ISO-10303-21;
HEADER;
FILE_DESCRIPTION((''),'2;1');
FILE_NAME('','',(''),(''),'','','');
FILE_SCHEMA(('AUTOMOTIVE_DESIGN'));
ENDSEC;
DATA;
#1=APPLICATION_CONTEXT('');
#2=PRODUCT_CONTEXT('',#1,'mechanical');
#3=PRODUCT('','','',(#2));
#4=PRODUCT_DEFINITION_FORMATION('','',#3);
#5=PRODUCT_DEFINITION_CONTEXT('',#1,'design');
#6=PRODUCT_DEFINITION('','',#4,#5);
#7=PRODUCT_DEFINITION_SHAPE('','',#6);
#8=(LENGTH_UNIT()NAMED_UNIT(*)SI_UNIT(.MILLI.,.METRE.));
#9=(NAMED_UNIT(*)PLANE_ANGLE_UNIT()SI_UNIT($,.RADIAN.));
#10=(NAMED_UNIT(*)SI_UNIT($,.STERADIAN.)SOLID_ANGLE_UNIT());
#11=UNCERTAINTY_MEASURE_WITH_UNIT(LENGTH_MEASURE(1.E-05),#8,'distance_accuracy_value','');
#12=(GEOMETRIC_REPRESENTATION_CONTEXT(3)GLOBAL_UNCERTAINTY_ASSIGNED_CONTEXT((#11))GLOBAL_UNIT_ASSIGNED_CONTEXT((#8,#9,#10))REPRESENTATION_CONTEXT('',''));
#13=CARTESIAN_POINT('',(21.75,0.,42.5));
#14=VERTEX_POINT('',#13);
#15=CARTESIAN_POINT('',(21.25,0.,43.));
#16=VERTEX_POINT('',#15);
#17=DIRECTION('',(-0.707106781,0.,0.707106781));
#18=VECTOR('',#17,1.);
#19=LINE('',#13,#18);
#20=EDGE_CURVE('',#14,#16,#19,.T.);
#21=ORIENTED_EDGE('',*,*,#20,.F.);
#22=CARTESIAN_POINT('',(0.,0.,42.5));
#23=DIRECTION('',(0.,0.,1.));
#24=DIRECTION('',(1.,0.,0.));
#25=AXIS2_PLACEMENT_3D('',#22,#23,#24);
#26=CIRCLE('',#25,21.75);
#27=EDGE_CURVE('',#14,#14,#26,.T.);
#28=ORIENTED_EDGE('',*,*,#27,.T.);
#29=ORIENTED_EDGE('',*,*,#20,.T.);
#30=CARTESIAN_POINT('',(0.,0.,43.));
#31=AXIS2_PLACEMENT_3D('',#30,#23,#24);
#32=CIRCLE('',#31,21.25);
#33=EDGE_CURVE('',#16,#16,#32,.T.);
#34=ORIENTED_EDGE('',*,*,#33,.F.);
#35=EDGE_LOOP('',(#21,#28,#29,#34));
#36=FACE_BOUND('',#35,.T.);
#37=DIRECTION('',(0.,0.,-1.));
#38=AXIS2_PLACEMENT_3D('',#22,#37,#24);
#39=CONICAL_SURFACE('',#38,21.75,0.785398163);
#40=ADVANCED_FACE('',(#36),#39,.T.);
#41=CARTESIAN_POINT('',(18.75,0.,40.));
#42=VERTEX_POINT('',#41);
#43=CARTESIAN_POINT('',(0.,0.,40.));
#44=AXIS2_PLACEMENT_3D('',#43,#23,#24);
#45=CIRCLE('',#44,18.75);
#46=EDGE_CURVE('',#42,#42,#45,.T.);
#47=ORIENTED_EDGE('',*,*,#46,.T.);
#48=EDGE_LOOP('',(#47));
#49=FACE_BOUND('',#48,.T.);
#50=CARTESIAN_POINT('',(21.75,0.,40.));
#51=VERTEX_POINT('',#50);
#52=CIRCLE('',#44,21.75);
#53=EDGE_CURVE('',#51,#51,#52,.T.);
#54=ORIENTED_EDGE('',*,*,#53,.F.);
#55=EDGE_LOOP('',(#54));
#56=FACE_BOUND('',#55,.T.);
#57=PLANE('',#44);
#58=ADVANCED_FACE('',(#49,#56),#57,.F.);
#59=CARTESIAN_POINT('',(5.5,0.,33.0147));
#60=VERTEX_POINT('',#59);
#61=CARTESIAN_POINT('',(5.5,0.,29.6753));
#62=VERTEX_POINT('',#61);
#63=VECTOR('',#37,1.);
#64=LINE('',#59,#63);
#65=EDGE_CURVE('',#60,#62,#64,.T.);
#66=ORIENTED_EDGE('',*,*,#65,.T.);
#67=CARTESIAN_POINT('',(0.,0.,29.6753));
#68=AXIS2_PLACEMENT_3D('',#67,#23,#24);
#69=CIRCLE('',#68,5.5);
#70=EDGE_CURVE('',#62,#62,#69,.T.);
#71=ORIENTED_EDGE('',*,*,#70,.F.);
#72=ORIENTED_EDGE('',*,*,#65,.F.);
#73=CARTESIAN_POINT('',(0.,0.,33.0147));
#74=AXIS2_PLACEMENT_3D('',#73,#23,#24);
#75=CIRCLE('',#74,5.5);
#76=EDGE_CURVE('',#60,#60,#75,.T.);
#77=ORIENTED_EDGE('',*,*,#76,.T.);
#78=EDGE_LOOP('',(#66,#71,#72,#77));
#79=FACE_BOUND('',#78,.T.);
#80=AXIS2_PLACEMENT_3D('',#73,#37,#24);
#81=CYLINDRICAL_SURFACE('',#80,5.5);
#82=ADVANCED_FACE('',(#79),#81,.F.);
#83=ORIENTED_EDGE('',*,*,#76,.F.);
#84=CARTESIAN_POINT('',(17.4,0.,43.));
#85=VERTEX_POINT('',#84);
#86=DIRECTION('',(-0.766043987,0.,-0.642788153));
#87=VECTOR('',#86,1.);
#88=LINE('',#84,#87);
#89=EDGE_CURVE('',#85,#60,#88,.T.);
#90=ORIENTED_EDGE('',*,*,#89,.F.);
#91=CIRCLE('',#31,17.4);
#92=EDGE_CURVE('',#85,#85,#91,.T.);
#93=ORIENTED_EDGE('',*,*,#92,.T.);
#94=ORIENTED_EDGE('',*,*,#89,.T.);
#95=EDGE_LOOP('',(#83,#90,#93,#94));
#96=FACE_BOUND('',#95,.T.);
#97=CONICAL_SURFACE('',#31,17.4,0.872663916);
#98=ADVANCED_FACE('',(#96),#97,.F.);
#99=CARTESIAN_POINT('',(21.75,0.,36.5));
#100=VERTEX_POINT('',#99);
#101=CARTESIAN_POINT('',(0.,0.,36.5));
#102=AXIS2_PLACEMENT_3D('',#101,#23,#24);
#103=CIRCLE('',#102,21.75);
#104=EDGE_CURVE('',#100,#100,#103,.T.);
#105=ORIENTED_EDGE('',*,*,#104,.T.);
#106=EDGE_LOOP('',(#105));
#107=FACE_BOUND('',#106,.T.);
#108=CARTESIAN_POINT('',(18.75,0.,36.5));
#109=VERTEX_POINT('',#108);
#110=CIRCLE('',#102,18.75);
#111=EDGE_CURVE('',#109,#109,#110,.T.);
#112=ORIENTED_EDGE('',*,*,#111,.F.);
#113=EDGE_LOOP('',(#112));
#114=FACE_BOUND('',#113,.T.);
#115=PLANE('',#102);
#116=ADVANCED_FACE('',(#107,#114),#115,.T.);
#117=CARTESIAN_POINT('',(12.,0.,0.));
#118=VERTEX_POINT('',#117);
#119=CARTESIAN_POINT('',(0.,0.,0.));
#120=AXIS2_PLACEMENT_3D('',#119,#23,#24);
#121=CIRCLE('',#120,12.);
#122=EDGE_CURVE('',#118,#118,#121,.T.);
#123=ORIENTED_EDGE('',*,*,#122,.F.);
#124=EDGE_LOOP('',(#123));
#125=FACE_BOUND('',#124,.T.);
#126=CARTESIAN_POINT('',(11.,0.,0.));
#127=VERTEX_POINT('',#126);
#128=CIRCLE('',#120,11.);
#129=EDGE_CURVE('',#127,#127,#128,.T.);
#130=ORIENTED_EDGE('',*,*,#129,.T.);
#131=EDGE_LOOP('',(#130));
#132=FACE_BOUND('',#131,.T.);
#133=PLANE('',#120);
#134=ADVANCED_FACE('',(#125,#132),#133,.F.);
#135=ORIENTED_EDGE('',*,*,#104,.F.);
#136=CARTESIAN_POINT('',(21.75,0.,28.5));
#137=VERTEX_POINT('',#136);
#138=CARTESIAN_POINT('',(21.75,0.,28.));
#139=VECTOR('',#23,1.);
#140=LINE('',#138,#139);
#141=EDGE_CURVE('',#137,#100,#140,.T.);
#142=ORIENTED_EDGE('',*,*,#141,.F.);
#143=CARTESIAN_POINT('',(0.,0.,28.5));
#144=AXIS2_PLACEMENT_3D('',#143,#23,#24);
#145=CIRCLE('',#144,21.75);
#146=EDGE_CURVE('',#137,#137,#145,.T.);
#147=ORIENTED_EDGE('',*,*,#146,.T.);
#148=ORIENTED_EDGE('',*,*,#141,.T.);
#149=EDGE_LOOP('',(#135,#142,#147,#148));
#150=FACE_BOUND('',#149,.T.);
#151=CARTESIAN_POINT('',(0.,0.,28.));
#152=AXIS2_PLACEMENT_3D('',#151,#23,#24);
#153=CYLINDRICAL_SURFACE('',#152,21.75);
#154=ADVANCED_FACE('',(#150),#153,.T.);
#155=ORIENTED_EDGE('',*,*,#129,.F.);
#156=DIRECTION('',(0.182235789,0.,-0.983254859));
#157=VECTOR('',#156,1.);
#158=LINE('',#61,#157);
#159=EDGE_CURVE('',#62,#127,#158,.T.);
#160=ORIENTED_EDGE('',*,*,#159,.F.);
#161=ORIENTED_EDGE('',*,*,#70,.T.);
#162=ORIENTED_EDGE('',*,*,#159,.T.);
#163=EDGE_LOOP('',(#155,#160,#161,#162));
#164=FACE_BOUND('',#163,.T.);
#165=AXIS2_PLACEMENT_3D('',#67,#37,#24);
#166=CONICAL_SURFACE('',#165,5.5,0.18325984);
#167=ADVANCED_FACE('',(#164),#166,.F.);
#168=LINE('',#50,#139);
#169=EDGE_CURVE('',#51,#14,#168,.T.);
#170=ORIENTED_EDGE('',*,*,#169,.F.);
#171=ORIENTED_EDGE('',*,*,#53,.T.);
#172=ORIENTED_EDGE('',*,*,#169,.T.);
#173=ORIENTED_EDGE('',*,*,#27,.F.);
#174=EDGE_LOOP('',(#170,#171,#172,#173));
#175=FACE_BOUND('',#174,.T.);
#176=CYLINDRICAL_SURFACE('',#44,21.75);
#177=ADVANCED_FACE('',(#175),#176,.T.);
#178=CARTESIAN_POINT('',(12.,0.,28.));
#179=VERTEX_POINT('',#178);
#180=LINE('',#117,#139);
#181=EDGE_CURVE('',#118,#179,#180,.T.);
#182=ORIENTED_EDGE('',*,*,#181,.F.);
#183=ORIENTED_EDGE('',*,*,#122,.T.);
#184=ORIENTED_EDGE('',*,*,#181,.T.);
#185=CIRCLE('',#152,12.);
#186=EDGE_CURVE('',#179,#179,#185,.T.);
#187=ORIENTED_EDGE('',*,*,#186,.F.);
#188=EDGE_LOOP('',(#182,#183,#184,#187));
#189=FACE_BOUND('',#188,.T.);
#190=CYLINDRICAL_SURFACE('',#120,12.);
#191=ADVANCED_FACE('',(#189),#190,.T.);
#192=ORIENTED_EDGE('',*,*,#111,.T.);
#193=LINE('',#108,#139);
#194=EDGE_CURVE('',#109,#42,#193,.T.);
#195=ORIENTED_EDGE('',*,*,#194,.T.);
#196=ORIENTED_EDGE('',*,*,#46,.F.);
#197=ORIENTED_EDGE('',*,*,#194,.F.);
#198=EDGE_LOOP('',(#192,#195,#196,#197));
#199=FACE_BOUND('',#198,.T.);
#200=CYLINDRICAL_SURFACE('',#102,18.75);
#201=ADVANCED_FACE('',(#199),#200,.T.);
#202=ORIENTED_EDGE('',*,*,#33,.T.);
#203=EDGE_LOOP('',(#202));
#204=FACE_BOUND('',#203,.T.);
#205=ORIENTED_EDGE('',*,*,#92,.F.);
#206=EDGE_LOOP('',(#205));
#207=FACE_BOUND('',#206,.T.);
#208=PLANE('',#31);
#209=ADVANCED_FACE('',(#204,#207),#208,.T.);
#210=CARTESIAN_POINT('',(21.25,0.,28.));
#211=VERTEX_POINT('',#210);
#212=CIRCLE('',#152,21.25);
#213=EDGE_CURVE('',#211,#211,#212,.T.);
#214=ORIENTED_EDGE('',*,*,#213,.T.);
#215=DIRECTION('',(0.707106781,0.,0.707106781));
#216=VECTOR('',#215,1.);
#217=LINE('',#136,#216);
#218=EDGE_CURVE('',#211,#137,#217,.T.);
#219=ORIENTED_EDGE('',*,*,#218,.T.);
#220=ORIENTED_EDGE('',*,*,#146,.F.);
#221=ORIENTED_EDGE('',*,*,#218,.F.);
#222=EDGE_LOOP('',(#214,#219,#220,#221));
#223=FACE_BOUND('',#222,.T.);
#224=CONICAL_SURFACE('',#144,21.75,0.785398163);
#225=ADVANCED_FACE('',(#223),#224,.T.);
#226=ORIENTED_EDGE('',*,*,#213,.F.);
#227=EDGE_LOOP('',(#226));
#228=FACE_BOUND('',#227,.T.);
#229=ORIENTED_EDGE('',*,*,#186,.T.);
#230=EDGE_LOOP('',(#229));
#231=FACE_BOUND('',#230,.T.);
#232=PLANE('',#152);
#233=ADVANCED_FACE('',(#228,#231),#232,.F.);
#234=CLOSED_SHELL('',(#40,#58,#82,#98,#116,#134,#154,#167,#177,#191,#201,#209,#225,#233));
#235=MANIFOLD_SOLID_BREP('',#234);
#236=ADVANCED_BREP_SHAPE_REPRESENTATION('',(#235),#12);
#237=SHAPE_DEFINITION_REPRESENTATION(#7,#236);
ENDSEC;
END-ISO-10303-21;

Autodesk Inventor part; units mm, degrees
ref_plane "YZ Plane" through (0, 0, 0) normal (1, 0, 0) x (0, 1, 0)
ref_plane "XZ Plane" through (0, 0, 0) normal (0, 1, 0) x (-1, 0, 0)
ref_plane "XY Plane" through (0, 0, 0) normal (0, 0, 1) x (1, 0, 0)
sketch "Sketch3" plane through (0, 0, 0) normal (0, 1, 0) x (-1, 0, 0)
  line L0 (0, 0) -> (0, 43)
  line L1 (-11, 0) -> (-12, 0)
  line L2 (-12, 0) -> (-12, 28)
  line L3 (-12, 28) -> (-21.75, 28)
  line L4 (-21.75, 28) -> (-21.75, 36.5)
  line L5 (-21.75, 36.5) -> (-18.75, 36.5)
  line L6 (-18.75, 36.5) -> (-18.75, 40)
  line L7 (-18.75, 40) -> (-21.75, 40)
  line L8 (-21.75, 40) -> (-21.75, 43)
  line L9 (-21.75, 43) -> (-17.4, 43)
  line L10 (-17.4, 43) -> (-5.5, 33.0147)
  line L11 (-5.5, 33.0147) -> (-5.5, 29.6753)
  line L12 (-5.5, 29.6753) -> (-11, 0)
  dimension "d1" = 24
  dimension "d2" = 28
  dimension "d3" = 43
  dimension "d5" = 3.5
  dimension "d6" = 43.5
  dimension "d7" = 37.5
  dimension "d8" = 34.8
  dimension "d9" = 11
  dimension "d10" = 29.6753
  dimension "d11" = 9.9853
  dimension "d12" = 22
  dimension "d14" = 10.5
  dimension "d15" = 50
  dimension "d17" = 36.5
revolve "Revolution1" add sketch "Sketch3" angle 360 about axis through (0, 0, 0) along (0, 0, 1)
chamfer "Chamfer1" distance 0.5 angle 45 2 edges at (-21.75, 0, 43) (-21.75, 0, 28)
properties part number "Nozzle" material "Steel"
